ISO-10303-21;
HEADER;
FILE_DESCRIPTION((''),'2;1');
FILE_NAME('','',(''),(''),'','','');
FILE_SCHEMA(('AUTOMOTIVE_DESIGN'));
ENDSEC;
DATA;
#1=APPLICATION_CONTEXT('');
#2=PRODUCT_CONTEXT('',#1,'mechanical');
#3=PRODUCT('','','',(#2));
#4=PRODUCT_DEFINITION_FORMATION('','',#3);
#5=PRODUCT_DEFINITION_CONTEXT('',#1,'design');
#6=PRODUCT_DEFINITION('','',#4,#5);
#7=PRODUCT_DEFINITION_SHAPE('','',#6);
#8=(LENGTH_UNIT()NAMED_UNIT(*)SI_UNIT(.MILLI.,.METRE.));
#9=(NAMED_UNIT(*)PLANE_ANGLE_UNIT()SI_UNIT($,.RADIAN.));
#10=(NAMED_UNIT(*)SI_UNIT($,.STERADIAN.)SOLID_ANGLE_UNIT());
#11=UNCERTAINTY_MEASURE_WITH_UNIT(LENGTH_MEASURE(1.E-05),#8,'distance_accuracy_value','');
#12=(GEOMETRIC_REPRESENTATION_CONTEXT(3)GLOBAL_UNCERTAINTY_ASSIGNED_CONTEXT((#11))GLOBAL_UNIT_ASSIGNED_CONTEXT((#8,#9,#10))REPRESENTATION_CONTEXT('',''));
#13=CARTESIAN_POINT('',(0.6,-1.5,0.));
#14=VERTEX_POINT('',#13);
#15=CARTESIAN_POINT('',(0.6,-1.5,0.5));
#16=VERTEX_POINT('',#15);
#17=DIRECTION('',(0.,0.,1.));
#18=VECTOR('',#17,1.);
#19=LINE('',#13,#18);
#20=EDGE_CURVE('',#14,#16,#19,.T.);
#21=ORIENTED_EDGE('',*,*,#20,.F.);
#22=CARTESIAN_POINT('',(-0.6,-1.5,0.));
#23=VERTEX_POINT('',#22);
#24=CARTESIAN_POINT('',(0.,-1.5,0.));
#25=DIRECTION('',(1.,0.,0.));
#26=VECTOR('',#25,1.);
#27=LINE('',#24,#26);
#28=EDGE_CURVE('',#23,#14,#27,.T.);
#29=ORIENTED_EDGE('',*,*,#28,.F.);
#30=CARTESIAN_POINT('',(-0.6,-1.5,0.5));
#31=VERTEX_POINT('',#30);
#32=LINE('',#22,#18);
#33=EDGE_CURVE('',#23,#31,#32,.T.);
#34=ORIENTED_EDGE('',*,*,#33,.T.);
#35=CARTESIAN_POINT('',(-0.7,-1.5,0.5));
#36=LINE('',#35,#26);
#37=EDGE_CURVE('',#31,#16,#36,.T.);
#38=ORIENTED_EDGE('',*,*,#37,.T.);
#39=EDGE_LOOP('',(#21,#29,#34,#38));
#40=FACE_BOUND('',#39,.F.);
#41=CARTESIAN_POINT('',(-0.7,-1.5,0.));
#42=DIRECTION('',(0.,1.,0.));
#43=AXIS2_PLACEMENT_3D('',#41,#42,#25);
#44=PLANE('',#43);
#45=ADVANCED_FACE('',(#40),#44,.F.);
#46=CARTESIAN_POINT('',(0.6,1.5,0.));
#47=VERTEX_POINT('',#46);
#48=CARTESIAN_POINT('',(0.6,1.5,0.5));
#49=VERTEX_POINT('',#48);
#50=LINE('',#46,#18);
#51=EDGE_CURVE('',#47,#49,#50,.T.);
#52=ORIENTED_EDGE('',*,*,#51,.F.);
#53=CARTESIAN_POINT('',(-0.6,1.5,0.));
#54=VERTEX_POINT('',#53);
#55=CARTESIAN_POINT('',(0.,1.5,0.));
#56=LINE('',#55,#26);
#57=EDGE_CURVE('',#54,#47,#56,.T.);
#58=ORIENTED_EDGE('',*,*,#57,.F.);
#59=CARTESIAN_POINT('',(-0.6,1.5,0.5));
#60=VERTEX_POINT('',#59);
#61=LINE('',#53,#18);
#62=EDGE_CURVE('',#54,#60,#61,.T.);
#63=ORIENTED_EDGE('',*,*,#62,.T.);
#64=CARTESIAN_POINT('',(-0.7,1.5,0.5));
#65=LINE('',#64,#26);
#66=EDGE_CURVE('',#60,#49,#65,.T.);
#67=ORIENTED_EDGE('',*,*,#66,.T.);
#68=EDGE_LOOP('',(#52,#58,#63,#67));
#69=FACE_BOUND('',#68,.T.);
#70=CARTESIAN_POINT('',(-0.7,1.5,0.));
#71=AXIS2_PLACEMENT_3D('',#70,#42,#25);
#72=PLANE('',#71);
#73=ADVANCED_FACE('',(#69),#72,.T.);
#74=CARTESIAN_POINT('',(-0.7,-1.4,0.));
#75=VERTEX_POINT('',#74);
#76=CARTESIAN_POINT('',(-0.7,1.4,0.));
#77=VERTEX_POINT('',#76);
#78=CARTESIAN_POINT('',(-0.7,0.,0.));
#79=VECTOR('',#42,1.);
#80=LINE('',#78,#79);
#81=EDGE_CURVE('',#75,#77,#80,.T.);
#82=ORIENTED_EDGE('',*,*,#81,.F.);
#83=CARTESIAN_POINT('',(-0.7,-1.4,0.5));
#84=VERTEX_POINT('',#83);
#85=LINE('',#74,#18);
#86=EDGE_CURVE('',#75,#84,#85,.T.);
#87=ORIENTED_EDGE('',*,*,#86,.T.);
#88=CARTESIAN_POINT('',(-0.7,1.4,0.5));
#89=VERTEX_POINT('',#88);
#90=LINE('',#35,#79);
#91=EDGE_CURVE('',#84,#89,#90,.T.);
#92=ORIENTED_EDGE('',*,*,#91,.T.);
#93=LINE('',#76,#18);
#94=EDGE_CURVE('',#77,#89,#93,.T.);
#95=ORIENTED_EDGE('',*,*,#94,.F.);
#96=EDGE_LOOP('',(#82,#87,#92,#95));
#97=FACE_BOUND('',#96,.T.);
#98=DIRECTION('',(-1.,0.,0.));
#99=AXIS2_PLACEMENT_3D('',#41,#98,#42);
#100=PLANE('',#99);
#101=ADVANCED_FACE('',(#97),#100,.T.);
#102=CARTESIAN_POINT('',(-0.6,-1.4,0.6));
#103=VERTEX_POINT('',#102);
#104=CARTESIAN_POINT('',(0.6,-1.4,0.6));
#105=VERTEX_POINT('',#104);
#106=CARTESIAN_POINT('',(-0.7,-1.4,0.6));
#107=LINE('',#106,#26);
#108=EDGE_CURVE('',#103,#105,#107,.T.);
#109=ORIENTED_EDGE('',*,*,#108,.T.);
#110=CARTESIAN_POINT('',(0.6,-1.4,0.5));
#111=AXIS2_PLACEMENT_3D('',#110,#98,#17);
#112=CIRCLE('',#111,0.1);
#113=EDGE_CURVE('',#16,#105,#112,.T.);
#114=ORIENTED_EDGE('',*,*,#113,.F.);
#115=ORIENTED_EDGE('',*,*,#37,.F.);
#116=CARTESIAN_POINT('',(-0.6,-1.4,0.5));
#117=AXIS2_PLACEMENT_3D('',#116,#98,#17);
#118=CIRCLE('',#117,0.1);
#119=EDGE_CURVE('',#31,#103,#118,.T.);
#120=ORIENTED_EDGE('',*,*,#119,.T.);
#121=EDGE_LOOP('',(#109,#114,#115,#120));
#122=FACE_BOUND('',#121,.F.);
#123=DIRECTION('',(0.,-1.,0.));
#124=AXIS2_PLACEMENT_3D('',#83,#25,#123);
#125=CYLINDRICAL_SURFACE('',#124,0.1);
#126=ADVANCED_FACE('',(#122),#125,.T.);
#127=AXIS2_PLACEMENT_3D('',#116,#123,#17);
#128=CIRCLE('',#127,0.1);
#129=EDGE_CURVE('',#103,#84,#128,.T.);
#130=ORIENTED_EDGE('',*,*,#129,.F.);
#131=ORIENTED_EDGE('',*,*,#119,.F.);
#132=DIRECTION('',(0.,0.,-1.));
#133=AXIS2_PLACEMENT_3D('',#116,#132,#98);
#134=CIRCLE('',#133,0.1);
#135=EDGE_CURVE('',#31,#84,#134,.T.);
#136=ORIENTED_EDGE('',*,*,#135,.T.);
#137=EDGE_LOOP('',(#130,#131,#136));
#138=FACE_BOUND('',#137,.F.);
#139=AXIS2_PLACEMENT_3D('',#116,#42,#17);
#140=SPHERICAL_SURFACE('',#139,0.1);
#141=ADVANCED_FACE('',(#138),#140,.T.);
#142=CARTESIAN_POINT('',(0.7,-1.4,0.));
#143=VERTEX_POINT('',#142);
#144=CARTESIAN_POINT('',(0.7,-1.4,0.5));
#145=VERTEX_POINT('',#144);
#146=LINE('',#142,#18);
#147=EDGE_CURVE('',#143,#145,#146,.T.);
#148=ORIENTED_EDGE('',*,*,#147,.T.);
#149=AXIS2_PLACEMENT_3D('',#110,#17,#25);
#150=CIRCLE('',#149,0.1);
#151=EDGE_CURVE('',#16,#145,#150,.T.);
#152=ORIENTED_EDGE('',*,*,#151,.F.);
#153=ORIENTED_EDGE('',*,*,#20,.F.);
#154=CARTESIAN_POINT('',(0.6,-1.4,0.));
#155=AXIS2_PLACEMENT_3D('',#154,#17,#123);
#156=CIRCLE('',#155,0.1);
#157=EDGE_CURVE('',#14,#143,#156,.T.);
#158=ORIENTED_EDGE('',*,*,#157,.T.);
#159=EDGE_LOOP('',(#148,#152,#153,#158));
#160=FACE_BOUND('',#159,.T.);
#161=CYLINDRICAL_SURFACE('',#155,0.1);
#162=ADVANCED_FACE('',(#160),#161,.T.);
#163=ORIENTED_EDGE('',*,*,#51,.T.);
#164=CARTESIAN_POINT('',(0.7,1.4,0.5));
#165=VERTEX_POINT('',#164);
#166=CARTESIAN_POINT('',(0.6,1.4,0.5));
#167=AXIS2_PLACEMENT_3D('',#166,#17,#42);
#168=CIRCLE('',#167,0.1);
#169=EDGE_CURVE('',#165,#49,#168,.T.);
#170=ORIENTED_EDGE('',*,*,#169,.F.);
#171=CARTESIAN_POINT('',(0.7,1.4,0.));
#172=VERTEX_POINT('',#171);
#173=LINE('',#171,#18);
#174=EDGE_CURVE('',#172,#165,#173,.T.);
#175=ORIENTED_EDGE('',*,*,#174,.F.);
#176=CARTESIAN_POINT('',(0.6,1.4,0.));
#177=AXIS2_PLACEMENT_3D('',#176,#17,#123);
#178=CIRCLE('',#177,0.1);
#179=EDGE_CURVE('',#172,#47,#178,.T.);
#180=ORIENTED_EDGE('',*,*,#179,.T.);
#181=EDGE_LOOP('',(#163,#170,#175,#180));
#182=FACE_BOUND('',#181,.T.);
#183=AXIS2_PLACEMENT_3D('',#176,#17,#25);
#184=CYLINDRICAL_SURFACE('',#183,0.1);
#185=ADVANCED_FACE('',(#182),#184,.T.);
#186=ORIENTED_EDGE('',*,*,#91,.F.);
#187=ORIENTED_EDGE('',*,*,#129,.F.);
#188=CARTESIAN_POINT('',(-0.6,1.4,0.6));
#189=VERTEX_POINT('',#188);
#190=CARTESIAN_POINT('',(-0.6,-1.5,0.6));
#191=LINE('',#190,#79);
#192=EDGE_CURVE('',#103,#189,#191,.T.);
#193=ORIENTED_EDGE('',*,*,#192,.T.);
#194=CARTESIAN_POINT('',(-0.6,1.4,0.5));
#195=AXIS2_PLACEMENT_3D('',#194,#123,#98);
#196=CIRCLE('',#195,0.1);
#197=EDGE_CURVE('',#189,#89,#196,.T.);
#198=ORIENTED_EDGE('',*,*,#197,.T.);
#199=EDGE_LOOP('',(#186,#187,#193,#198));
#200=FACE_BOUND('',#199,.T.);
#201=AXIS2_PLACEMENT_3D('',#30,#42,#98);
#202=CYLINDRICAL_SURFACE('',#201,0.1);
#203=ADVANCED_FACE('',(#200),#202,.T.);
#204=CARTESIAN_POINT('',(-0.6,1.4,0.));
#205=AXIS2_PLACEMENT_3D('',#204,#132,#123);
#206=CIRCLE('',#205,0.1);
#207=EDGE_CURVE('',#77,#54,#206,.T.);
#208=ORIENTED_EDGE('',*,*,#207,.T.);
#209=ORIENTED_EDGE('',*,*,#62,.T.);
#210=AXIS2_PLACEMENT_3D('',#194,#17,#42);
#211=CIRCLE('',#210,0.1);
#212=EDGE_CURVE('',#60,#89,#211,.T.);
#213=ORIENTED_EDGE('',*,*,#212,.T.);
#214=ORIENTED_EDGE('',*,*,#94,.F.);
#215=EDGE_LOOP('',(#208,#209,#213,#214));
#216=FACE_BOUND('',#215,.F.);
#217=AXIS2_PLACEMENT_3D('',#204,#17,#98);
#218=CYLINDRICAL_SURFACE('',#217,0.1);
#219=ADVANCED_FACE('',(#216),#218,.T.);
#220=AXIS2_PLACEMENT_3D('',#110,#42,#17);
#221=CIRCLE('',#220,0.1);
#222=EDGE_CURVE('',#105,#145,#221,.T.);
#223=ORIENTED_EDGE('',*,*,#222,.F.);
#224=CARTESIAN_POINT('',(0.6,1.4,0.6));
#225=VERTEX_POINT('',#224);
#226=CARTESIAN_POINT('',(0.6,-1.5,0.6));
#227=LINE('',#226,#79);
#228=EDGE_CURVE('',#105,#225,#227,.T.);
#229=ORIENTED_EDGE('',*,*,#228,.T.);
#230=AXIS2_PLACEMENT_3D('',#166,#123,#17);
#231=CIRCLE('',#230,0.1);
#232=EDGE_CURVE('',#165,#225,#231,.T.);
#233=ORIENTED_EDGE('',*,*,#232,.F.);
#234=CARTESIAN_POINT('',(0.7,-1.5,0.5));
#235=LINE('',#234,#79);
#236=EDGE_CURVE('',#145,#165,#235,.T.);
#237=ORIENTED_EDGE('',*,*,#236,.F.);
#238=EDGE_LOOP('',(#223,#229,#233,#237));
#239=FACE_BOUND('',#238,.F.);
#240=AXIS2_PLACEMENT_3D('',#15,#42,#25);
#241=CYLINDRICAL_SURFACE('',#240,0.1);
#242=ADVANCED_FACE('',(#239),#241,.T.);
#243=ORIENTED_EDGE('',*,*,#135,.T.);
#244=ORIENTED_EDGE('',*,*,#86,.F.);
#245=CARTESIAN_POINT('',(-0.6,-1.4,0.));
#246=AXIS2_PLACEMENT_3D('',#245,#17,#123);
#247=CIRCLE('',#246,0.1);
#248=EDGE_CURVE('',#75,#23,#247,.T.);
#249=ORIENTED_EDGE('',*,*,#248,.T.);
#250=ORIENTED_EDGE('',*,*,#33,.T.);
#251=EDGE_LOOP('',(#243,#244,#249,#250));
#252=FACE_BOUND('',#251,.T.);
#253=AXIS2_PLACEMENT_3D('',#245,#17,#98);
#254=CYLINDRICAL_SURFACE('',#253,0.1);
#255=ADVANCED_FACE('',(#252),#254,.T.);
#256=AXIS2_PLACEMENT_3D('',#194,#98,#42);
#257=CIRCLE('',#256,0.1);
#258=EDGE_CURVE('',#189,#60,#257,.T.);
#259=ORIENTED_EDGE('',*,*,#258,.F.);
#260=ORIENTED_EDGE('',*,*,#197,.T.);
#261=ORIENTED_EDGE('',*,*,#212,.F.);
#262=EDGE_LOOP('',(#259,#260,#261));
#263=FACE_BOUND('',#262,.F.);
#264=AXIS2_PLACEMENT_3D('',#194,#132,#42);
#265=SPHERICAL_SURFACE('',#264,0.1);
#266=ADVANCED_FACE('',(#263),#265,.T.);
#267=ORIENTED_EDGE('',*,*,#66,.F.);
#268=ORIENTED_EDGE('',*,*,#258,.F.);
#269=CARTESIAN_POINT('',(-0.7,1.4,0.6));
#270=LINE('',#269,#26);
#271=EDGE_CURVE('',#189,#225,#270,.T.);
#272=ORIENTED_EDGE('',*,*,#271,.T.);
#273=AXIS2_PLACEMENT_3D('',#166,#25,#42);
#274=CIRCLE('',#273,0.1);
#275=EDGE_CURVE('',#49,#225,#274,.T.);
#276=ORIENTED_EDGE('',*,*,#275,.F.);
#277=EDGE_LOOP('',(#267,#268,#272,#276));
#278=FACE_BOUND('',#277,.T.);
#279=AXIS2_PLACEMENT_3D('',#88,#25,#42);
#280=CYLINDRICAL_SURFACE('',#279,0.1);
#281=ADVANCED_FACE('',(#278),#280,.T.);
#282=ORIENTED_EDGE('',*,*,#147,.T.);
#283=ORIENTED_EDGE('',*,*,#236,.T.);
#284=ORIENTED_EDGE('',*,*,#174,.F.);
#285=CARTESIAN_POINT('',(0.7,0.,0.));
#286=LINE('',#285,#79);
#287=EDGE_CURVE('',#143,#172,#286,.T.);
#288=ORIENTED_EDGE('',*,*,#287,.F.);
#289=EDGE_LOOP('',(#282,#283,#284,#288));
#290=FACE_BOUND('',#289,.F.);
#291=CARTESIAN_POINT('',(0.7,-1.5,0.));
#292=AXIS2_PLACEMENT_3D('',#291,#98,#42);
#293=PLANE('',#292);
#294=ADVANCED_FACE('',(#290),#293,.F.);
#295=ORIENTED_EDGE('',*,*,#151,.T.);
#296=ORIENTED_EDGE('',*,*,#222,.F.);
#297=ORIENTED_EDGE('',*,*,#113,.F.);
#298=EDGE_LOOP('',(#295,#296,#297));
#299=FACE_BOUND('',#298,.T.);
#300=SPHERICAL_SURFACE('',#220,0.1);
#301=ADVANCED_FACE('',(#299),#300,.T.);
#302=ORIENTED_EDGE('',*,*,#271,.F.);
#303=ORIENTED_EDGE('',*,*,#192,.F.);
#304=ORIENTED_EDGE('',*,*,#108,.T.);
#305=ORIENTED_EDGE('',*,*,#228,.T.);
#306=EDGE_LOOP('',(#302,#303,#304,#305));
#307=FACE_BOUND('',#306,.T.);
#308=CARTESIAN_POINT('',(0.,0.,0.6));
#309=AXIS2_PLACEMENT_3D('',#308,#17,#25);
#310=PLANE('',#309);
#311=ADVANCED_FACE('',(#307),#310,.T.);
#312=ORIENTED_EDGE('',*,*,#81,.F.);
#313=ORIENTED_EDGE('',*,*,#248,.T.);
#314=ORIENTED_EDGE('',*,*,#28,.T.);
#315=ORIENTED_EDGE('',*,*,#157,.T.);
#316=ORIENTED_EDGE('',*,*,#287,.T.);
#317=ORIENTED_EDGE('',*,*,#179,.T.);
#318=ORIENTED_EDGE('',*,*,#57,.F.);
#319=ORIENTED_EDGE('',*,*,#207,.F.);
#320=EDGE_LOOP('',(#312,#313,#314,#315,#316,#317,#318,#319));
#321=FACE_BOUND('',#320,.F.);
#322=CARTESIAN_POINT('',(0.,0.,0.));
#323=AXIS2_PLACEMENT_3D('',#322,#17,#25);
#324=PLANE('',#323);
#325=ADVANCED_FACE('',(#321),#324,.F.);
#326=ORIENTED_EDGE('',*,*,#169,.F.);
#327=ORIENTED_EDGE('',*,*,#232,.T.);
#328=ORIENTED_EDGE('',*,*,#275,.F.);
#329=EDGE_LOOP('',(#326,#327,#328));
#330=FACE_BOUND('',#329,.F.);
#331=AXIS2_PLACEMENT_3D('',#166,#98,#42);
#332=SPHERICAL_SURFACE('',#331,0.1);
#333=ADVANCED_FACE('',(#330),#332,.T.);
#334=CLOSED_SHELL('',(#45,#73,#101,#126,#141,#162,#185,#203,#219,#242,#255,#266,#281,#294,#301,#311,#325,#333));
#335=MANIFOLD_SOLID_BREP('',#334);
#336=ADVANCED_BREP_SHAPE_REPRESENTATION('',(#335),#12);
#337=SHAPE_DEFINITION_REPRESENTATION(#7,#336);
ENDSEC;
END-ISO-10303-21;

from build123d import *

# Parameters (mm, degrees)
SKETCH_W  = 1.4
SKETCH_H  = 3
PAD_DEPTH = 0.6
FILLET_R  = 0.1


with BuildPart() as part:
    # Sketch → Pad (new body)
    with BuildSketch(Plane.XY):
        Rectangle(SKETCH_W, SKETCH_H)
    extrude(amount=PAD_DEPTH)

    # Fillet
    fillet_edges = [part.edges().sort_by_distance(p)[0] for p in [
        (-0.7, 1.5, 0.3),
        (0, 1.5, 0.6),
        (-0.7, 0, 0.6),
        (0.7, 1.5, 0.3),
        (0.7, 0, 0.6),
        (0, -1.5, 0.6),
        (0.7, -1.5, 0.3),
        (-0.7, -1.5, 0.3),
    ]]
    fillet(fillet_edges, radius=FILLET_R)


solid = part.part
